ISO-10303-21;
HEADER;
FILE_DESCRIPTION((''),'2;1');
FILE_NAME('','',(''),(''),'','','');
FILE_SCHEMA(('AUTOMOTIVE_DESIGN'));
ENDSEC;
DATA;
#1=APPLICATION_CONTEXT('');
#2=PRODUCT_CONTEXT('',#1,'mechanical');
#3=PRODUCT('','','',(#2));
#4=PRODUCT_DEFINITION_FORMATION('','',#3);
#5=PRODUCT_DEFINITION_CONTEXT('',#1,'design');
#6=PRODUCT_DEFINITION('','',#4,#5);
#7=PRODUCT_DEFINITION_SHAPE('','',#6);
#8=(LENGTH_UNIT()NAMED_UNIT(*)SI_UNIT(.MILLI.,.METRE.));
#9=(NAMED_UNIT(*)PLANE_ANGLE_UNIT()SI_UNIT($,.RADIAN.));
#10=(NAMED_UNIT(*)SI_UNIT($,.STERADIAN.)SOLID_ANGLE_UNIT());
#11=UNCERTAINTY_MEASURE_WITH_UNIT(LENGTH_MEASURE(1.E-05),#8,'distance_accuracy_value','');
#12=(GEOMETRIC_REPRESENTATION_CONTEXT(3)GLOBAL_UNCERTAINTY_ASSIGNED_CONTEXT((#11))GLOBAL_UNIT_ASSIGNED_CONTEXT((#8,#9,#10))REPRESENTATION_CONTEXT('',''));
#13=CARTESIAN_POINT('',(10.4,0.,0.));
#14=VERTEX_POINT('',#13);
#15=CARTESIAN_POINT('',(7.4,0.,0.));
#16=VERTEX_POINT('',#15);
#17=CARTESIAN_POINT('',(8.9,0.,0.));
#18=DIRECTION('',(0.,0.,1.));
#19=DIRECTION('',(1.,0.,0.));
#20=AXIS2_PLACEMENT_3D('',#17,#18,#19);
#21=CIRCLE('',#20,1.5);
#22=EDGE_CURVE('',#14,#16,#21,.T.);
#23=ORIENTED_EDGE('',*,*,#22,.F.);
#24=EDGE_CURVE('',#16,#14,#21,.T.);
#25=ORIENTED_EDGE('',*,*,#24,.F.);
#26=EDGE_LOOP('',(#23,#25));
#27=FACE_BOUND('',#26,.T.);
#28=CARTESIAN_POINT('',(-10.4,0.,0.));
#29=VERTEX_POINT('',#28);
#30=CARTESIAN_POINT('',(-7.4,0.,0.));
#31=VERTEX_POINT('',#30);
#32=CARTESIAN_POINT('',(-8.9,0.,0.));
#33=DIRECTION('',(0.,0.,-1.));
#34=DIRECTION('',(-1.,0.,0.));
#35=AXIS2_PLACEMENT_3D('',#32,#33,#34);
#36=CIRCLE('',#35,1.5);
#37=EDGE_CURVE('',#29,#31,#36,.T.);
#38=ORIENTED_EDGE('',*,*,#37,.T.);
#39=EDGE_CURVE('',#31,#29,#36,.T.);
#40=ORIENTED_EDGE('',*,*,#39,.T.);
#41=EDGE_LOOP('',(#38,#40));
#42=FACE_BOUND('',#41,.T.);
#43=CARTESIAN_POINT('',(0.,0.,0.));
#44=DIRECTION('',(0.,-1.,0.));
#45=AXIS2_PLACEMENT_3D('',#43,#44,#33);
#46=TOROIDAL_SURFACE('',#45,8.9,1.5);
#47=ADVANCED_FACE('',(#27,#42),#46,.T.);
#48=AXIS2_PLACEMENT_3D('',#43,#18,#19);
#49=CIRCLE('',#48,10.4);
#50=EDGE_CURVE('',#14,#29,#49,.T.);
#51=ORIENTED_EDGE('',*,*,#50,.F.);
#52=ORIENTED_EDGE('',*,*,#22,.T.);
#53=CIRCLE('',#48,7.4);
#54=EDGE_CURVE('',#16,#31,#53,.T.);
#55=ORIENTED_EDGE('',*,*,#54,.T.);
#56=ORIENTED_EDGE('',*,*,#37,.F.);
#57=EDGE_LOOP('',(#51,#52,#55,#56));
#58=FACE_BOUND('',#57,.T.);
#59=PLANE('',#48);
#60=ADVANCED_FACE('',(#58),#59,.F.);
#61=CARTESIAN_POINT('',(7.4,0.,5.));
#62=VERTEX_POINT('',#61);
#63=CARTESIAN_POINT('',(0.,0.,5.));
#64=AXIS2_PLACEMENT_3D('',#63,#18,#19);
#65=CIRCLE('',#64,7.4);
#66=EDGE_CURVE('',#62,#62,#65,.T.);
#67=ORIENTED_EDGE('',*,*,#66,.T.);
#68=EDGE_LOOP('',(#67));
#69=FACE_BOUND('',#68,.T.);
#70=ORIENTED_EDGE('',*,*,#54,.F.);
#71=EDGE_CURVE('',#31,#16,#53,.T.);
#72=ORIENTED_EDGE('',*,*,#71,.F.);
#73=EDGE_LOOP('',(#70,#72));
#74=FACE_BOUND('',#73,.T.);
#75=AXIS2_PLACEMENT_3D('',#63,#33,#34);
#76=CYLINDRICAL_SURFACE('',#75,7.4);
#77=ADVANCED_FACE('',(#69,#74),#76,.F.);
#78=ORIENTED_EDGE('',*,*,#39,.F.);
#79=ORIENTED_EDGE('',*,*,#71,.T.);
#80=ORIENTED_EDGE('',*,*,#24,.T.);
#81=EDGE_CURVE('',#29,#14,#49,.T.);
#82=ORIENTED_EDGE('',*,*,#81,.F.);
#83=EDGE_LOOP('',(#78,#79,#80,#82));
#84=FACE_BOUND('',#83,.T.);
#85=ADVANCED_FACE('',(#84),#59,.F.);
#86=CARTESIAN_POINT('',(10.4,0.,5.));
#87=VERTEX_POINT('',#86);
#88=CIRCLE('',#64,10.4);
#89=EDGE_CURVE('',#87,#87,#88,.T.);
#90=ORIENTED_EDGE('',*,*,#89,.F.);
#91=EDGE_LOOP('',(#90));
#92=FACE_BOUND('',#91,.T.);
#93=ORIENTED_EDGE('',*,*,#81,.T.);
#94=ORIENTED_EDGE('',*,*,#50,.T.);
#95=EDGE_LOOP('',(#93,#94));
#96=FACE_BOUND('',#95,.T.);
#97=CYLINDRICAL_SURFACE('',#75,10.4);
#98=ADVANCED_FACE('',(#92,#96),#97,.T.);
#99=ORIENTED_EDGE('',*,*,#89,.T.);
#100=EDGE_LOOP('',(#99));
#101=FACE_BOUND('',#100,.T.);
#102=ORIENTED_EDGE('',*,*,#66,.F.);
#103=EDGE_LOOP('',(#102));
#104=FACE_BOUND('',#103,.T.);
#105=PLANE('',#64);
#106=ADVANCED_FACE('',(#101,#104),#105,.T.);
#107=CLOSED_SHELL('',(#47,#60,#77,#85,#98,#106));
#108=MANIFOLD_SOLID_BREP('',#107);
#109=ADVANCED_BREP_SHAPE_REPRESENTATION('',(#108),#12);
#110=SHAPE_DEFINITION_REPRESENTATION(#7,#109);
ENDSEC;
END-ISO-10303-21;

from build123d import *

# Parameters (mm, degrees)
SKETCH1_R           = 10.4
SKETCH1_R_2         = 7.4
BOSS_EXTRUDE1_DEPTH = 5
SKETCH5_R           = 1.5


with BuildPart() as part:
    # Sketch1 → Boss-Extrude1 (new body)
    with BuildSketch(Plane.XY):
        Circle(SKETCH1_R)
        Circle(SKETCH1_R_2, mode=Mode.SUBTRACT)
    extrude(amount=BOSS_EXTRUDE1_DEPTH)

    # Sweep1: sweep along a path in Sketch6
    with BuildLine(Plane(origin=(0, 0, 0), x_dir=(1, 0, 0), z_dir=(0, 1, 0))) as sweep1_path:
        ThreePointArc((-8.9, 0), (0, 8.9), (8.9, 0))
    # Sketch5 → Sweep1 (sweep)
    with BuildSketch(Plane(origin=(0, 0, 0), x_dir=(-1, 0, 0), z_dir=(0, 0, -1))):
        with Locations((8.9, 0)):
            Circle(SKETCH5_R)
    sweep(path=sweep1_path.line)


solid = part.part
